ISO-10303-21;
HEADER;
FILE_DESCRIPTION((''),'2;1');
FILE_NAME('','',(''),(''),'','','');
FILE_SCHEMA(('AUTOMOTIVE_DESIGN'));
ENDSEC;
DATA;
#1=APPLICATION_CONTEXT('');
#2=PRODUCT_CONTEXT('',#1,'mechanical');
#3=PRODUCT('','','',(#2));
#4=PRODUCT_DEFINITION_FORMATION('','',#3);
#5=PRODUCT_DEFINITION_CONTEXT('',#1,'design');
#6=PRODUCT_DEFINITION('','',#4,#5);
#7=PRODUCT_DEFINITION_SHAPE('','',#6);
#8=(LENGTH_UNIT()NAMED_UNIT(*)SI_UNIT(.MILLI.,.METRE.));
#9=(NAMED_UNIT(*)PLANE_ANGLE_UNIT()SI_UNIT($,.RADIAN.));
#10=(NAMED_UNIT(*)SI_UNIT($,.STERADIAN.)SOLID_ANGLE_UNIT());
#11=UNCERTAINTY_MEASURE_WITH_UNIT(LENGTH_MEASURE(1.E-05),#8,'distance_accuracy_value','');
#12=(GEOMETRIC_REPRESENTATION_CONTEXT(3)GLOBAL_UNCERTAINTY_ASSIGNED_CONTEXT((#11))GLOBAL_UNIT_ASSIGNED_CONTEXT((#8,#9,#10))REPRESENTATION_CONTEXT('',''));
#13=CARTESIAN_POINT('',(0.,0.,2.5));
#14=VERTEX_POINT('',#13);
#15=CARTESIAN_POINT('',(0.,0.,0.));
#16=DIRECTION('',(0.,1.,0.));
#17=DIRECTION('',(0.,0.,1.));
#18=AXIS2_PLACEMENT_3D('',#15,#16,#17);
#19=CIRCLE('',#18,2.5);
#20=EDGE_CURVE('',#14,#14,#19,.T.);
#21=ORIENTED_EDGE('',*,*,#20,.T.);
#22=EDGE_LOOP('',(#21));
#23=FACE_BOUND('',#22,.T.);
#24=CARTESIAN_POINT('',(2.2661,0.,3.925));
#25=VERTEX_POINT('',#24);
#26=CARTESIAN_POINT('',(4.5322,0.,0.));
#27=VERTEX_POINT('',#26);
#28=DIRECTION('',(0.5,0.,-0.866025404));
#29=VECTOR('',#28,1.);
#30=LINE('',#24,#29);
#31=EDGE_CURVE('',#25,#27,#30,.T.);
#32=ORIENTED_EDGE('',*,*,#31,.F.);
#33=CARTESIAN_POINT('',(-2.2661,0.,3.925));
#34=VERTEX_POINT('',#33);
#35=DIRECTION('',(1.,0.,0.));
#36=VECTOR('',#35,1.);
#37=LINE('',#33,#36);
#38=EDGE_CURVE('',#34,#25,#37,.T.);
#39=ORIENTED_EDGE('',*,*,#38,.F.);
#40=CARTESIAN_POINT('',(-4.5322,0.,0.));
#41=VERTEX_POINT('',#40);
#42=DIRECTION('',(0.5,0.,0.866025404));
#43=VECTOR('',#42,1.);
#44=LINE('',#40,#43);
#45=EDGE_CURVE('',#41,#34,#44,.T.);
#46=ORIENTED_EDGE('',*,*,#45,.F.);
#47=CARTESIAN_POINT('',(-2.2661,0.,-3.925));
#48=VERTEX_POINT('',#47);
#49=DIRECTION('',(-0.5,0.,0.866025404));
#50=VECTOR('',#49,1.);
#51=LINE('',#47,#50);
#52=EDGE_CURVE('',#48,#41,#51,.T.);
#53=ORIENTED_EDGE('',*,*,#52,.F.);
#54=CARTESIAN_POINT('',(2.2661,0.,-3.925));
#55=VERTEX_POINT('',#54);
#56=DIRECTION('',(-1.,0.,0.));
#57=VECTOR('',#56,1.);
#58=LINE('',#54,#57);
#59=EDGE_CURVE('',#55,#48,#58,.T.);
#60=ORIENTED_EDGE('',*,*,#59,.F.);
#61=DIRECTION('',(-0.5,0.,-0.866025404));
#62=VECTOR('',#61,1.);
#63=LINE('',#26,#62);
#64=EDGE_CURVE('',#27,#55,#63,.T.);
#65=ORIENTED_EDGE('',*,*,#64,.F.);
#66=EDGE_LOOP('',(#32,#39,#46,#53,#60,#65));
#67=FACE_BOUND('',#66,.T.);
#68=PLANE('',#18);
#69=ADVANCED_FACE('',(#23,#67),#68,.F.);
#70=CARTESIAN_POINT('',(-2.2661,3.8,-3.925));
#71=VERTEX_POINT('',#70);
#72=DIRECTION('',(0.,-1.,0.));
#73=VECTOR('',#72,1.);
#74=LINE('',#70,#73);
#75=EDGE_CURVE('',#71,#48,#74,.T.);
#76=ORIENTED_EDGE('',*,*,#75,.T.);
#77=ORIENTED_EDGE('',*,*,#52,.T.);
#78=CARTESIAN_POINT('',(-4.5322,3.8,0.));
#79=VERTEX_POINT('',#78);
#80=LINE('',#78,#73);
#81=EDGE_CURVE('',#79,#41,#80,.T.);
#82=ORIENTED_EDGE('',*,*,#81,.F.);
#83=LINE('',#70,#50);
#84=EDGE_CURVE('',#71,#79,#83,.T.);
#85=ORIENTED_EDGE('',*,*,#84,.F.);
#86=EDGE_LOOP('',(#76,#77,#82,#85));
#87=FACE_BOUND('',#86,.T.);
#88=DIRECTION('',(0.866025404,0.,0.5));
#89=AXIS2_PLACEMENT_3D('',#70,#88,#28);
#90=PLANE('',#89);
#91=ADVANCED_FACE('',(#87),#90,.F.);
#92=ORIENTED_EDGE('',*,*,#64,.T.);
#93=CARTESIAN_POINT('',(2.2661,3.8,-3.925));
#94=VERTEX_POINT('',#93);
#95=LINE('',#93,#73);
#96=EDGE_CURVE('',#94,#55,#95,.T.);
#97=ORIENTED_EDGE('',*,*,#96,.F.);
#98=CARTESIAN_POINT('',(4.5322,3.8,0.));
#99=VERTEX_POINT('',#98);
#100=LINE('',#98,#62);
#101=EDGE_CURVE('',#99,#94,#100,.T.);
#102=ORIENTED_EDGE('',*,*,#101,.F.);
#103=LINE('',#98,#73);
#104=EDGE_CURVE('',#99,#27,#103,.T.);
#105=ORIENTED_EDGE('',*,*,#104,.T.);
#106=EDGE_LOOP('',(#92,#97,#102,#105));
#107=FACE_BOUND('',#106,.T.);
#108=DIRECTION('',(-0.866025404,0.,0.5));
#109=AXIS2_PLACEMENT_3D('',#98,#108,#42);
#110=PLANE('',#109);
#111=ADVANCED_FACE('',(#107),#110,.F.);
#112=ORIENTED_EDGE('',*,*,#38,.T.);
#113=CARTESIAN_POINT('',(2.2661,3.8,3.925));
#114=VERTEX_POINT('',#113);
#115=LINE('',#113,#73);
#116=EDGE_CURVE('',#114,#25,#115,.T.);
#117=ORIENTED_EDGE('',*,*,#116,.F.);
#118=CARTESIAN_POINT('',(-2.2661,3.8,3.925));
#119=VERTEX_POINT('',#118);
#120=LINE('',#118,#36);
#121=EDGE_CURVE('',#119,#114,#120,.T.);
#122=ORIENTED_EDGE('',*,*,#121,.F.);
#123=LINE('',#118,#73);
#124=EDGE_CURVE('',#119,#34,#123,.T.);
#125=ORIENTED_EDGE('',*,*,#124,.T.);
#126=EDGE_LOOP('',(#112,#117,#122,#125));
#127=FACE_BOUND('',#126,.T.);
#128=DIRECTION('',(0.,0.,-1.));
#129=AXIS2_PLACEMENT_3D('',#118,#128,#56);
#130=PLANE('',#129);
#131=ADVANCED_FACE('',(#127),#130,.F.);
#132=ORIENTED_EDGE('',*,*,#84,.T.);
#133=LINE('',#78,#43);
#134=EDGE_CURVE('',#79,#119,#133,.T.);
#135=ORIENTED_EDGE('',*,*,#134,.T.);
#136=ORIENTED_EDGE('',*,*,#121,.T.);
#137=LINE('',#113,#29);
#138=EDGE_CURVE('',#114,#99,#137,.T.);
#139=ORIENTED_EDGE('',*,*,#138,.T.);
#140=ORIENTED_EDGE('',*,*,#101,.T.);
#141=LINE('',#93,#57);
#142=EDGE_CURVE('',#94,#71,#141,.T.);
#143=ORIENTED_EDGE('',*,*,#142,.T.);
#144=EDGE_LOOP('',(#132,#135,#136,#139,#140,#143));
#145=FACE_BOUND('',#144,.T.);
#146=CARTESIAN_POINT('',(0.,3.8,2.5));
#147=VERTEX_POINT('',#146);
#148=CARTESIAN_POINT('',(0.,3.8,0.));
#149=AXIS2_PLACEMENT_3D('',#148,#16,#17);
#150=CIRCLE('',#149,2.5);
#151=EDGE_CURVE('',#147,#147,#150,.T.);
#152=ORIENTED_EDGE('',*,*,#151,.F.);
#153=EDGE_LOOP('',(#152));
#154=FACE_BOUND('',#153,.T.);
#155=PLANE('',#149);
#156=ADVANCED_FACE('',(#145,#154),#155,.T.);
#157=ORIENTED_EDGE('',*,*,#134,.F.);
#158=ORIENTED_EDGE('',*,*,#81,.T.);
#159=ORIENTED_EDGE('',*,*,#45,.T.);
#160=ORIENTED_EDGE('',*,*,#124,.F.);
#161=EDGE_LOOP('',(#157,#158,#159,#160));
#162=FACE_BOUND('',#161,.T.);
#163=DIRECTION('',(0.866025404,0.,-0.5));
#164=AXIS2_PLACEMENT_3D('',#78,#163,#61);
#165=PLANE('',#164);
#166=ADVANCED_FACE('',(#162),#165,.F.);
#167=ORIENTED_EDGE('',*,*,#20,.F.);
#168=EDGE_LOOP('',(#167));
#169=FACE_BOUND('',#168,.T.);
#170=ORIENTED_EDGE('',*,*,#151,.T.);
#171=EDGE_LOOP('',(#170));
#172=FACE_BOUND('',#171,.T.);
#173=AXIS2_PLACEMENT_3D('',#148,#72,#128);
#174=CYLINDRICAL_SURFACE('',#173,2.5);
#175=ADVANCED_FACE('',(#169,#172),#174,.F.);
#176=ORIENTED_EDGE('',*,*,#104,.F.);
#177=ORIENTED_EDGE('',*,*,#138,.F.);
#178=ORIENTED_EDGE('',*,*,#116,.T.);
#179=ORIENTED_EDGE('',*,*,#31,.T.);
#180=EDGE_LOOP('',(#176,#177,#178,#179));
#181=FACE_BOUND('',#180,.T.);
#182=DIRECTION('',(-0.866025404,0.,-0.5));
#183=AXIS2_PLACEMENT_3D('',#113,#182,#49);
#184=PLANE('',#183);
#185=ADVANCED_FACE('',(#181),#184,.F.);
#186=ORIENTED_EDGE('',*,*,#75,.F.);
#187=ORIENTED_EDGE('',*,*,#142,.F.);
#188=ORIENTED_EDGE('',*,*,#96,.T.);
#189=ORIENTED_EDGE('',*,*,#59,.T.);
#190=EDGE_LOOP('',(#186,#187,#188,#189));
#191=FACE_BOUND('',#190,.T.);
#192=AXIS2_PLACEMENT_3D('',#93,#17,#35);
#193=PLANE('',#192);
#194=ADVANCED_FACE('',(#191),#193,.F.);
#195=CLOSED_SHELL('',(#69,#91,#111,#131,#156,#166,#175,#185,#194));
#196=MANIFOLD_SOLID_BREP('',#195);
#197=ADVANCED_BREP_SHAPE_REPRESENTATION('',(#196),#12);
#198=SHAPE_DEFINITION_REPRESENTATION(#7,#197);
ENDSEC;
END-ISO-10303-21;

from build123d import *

# Parameters (mm, degrees)
SKETCH_1_R      = 2.5
EXTRUDE_1_DEPTH = 3.8


with BuildPart() as part:
    # 草图1 → 凸台-拉伸1 (new body)
    with BuildSketch(Plane(origin=(0, 0, 0), x_dir=(1, 0, 0), z_dir=(0, 1, 0))):
        Polygon((4.532199613, 0), (2.266099807, 3.925), (-2.266099807, 3.925), (-4.532199613, 0), (-2.266099807, -3.925), (2.266099807, -3.925), align=None)
        Circle(SKETCH_1_R, mode=Mode.SUBTRACT)
    extrude(amount=EXTRUDE_1_DEPTH)


solid = part.part
